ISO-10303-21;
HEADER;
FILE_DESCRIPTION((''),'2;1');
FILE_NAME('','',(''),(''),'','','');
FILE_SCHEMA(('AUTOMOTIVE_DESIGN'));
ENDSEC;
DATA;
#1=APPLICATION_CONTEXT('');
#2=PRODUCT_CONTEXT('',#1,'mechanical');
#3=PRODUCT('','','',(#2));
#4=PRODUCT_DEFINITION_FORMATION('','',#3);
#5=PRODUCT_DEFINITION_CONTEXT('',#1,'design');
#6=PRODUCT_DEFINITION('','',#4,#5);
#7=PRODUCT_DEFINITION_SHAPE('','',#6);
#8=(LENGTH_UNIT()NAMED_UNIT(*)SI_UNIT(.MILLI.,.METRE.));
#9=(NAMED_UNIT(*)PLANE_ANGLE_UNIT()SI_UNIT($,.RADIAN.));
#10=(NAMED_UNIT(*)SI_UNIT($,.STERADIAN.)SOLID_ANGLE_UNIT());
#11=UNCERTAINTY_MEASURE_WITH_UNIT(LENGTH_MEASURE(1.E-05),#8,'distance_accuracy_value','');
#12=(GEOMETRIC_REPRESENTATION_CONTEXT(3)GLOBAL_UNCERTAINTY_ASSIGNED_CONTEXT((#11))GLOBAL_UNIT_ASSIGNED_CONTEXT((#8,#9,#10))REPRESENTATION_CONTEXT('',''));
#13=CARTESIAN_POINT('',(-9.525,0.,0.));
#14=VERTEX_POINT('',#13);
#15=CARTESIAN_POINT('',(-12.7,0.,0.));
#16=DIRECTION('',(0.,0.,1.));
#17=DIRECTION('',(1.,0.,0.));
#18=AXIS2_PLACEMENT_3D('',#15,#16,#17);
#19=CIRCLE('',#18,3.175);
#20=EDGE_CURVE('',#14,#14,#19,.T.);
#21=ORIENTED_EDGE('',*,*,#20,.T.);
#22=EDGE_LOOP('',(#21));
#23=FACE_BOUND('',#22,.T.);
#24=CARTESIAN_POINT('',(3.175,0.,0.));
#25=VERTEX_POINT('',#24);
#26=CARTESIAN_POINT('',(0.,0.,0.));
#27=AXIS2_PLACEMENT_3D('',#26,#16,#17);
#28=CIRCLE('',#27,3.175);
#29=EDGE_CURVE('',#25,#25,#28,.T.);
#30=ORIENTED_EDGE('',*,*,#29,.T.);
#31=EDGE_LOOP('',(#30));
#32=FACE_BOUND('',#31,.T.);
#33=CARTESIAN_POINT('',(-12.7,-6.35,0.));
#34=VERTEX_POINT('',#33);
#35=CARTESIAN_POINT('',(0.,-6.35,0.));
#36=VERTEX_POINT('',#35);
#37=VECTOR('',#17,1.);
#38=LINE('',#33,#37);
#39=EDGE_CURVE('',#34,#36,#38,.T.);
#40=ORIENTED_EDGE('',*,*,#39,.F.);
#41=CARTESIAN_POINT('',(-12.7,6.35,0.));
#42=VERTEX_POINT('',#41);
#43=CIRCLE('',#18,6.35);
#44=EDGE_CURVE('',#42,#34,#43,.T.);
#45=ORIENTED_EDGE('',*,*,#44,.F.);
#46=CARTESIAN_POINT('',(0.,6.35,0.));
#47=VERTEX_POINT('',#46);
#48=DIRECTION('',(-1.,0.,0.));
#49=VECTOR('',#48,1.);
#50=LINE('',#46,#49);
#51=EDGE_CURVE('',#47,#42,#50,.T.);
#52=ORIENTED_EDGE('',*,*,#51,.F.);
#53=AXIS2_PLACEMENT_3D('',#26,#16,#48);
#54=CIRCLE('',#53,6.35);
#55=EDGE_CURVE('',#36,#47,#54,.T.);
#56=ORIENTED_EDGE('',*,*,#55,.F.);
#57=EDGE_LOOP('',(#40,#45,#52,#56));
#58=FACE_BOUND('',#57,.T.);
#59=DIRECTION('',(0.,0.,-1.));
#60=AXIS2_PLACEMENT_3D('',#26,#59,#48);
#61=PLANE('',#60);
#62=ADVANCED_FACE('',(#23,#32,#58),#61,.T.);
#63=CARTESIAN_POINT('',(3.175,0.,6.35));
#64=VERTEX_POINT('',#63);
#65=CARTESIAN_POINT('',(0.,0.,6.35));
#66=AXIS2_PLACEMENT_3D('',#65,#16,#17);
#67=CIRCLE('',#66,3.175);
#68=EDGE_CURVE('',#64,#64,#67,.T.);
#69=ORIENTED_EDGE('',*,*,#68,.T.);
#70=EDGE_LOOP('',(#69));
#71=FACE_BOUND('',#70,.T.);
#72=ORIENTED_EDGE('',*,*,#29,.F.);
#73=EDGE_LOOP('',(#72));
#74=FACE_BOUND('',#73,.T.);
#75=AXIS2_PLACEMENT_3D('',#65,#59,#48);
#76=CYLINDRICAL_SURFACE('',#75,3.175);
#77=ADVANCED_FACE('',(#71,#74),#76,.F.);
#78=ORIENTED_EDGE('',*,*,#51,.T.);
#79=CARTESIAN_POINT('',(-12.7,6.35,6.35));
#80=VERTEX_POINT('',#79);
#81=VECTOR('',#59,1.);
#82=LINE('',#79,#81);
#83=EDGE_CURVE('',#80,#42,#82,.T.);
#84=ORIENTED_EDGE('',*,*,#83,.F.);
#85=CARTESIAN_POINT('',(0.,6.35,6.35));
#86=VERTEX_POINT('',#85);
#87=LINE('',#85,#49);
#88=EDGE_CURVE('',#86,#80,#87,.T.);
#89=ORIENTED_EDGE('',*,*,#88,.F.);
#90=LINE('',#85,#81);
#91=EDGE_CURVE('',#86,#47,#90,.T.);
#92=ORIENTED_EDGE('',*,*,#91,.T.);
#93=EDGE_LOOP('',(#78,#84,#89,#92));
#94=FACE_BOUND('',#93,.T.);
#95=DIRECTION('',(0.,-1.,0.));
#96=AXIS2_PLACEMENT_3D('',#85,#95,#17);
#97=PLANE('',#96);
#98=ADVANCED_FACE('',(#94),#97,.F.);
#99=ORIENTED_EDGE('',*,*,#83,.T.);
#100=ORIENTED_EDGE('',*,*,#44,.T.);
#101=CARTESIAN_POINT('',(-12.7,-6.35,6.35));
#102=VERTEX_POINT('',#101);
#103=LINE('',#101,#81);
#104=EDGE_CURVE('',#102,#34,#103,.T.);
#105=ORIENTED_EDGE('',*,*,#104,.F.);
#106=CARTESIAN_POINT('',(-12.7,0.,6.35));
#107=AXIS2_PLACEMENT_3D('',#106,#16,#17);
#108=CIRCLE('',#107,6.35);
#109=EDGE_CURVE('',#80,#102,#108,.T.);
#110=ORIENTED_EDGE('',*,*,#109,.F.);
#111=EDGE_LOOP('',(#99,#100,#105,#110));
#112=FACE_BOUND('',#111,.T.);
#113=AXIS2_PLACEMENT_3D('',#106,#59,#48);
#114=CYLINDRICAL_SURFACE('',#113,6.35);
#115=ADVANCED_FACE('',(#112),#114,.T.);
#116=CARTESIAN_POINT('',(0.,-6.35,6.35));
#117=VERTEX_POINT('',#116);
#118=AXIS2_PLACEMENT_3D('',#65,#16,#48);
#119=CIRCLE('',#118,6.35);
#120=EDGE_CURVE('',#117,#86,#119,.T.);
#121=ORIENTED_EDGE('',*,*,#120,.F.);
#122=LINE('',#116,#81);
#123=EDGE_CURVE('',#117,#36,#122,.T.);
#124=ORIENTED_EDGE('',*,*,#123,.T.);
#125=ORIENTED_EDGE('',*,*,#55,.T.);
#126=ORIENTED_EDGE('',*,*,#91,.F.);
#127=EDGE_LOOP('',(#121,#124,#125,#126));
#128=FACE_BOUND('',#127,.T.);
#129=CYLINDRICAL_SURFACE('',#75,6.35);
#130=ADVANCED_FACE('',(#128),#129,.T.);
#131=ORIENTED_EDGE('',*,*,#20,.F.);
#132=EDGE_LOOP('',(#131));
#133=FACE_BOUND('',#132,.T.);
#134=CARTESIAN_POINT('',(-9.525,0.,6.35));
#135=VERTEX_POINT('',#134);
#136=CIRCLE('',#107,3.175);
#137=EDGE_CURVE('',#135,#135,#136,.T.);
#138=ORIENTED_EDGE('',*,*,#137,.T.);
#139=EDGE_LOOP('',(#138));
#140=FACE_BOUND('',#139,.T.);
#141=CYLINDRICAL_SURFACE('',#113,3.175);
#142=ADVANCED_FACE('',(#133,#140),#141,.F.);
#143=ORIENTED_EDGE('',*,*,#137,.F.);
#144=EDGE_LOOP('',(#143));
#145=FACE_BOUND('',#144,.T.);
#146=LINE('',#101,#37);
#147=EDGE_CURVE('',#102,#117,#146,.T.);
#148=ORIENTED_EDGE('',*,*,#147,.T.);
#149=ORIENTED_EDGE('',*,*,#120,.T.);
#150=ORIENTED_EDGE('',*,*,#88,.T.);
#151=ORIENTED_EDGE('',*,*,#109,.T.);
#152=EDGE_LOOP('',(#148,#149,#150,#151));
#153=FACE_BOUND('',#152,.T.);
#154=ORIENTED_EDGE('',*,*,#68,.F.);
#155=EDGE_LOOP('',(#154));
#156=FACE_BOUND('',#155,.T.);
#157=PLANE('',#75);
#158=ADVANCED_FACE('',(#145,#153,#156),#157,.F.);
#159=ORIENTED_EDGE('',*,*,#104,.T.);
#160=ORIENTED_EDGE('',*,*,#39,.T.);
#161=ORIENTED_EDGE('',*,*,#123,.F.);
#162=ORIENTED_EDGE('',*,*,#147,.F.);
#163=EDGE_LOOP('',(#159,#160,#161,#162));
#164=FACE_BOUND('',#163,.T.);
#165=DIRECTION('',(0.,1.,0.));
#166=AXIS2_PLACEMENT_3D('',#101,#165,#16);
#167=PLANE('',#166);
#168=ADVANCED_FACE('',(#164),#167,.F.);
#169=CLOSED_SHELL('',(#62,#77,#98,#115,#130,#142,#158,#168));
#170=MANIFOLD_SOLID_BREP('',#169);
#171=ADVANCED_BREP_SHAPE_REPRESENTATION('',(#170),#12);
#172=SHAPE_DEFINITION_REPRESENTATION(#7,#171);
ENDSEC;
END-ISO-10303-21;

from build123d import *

# Parameters (mm, degrees)
SKETCH1_R           = 3.175
BOSS_EXTRUDE1_DEPTH = 6.35


with BuildPart() as part:
    # Sketch1 → Boss-Extrude1 (new body)
    with BuildSketch(Plane.XY):
        with BuildLine():
            Line((0, 6.35), (-12.7, 6.35))
            ThreePointArc((-12.7, 6.35), (-19.05, 0), (-12.7, -6.35))
            Line((-12.7, -6.35), (0, -6.35))
            ThreePointArc((0, -6.35), (6.35, 0), (0, 6.35))
        make_face()
        Circle(SKETCH1_R, mode=Mode.SUBTRACT)
        with Locations((-12.7, 0)):
            Circle(SKETCH1_R, mode=Mode.SUBTRACT)
    extrude(amount=BOSS_EXTRUDE1_DEPTH)


solid = part.part
